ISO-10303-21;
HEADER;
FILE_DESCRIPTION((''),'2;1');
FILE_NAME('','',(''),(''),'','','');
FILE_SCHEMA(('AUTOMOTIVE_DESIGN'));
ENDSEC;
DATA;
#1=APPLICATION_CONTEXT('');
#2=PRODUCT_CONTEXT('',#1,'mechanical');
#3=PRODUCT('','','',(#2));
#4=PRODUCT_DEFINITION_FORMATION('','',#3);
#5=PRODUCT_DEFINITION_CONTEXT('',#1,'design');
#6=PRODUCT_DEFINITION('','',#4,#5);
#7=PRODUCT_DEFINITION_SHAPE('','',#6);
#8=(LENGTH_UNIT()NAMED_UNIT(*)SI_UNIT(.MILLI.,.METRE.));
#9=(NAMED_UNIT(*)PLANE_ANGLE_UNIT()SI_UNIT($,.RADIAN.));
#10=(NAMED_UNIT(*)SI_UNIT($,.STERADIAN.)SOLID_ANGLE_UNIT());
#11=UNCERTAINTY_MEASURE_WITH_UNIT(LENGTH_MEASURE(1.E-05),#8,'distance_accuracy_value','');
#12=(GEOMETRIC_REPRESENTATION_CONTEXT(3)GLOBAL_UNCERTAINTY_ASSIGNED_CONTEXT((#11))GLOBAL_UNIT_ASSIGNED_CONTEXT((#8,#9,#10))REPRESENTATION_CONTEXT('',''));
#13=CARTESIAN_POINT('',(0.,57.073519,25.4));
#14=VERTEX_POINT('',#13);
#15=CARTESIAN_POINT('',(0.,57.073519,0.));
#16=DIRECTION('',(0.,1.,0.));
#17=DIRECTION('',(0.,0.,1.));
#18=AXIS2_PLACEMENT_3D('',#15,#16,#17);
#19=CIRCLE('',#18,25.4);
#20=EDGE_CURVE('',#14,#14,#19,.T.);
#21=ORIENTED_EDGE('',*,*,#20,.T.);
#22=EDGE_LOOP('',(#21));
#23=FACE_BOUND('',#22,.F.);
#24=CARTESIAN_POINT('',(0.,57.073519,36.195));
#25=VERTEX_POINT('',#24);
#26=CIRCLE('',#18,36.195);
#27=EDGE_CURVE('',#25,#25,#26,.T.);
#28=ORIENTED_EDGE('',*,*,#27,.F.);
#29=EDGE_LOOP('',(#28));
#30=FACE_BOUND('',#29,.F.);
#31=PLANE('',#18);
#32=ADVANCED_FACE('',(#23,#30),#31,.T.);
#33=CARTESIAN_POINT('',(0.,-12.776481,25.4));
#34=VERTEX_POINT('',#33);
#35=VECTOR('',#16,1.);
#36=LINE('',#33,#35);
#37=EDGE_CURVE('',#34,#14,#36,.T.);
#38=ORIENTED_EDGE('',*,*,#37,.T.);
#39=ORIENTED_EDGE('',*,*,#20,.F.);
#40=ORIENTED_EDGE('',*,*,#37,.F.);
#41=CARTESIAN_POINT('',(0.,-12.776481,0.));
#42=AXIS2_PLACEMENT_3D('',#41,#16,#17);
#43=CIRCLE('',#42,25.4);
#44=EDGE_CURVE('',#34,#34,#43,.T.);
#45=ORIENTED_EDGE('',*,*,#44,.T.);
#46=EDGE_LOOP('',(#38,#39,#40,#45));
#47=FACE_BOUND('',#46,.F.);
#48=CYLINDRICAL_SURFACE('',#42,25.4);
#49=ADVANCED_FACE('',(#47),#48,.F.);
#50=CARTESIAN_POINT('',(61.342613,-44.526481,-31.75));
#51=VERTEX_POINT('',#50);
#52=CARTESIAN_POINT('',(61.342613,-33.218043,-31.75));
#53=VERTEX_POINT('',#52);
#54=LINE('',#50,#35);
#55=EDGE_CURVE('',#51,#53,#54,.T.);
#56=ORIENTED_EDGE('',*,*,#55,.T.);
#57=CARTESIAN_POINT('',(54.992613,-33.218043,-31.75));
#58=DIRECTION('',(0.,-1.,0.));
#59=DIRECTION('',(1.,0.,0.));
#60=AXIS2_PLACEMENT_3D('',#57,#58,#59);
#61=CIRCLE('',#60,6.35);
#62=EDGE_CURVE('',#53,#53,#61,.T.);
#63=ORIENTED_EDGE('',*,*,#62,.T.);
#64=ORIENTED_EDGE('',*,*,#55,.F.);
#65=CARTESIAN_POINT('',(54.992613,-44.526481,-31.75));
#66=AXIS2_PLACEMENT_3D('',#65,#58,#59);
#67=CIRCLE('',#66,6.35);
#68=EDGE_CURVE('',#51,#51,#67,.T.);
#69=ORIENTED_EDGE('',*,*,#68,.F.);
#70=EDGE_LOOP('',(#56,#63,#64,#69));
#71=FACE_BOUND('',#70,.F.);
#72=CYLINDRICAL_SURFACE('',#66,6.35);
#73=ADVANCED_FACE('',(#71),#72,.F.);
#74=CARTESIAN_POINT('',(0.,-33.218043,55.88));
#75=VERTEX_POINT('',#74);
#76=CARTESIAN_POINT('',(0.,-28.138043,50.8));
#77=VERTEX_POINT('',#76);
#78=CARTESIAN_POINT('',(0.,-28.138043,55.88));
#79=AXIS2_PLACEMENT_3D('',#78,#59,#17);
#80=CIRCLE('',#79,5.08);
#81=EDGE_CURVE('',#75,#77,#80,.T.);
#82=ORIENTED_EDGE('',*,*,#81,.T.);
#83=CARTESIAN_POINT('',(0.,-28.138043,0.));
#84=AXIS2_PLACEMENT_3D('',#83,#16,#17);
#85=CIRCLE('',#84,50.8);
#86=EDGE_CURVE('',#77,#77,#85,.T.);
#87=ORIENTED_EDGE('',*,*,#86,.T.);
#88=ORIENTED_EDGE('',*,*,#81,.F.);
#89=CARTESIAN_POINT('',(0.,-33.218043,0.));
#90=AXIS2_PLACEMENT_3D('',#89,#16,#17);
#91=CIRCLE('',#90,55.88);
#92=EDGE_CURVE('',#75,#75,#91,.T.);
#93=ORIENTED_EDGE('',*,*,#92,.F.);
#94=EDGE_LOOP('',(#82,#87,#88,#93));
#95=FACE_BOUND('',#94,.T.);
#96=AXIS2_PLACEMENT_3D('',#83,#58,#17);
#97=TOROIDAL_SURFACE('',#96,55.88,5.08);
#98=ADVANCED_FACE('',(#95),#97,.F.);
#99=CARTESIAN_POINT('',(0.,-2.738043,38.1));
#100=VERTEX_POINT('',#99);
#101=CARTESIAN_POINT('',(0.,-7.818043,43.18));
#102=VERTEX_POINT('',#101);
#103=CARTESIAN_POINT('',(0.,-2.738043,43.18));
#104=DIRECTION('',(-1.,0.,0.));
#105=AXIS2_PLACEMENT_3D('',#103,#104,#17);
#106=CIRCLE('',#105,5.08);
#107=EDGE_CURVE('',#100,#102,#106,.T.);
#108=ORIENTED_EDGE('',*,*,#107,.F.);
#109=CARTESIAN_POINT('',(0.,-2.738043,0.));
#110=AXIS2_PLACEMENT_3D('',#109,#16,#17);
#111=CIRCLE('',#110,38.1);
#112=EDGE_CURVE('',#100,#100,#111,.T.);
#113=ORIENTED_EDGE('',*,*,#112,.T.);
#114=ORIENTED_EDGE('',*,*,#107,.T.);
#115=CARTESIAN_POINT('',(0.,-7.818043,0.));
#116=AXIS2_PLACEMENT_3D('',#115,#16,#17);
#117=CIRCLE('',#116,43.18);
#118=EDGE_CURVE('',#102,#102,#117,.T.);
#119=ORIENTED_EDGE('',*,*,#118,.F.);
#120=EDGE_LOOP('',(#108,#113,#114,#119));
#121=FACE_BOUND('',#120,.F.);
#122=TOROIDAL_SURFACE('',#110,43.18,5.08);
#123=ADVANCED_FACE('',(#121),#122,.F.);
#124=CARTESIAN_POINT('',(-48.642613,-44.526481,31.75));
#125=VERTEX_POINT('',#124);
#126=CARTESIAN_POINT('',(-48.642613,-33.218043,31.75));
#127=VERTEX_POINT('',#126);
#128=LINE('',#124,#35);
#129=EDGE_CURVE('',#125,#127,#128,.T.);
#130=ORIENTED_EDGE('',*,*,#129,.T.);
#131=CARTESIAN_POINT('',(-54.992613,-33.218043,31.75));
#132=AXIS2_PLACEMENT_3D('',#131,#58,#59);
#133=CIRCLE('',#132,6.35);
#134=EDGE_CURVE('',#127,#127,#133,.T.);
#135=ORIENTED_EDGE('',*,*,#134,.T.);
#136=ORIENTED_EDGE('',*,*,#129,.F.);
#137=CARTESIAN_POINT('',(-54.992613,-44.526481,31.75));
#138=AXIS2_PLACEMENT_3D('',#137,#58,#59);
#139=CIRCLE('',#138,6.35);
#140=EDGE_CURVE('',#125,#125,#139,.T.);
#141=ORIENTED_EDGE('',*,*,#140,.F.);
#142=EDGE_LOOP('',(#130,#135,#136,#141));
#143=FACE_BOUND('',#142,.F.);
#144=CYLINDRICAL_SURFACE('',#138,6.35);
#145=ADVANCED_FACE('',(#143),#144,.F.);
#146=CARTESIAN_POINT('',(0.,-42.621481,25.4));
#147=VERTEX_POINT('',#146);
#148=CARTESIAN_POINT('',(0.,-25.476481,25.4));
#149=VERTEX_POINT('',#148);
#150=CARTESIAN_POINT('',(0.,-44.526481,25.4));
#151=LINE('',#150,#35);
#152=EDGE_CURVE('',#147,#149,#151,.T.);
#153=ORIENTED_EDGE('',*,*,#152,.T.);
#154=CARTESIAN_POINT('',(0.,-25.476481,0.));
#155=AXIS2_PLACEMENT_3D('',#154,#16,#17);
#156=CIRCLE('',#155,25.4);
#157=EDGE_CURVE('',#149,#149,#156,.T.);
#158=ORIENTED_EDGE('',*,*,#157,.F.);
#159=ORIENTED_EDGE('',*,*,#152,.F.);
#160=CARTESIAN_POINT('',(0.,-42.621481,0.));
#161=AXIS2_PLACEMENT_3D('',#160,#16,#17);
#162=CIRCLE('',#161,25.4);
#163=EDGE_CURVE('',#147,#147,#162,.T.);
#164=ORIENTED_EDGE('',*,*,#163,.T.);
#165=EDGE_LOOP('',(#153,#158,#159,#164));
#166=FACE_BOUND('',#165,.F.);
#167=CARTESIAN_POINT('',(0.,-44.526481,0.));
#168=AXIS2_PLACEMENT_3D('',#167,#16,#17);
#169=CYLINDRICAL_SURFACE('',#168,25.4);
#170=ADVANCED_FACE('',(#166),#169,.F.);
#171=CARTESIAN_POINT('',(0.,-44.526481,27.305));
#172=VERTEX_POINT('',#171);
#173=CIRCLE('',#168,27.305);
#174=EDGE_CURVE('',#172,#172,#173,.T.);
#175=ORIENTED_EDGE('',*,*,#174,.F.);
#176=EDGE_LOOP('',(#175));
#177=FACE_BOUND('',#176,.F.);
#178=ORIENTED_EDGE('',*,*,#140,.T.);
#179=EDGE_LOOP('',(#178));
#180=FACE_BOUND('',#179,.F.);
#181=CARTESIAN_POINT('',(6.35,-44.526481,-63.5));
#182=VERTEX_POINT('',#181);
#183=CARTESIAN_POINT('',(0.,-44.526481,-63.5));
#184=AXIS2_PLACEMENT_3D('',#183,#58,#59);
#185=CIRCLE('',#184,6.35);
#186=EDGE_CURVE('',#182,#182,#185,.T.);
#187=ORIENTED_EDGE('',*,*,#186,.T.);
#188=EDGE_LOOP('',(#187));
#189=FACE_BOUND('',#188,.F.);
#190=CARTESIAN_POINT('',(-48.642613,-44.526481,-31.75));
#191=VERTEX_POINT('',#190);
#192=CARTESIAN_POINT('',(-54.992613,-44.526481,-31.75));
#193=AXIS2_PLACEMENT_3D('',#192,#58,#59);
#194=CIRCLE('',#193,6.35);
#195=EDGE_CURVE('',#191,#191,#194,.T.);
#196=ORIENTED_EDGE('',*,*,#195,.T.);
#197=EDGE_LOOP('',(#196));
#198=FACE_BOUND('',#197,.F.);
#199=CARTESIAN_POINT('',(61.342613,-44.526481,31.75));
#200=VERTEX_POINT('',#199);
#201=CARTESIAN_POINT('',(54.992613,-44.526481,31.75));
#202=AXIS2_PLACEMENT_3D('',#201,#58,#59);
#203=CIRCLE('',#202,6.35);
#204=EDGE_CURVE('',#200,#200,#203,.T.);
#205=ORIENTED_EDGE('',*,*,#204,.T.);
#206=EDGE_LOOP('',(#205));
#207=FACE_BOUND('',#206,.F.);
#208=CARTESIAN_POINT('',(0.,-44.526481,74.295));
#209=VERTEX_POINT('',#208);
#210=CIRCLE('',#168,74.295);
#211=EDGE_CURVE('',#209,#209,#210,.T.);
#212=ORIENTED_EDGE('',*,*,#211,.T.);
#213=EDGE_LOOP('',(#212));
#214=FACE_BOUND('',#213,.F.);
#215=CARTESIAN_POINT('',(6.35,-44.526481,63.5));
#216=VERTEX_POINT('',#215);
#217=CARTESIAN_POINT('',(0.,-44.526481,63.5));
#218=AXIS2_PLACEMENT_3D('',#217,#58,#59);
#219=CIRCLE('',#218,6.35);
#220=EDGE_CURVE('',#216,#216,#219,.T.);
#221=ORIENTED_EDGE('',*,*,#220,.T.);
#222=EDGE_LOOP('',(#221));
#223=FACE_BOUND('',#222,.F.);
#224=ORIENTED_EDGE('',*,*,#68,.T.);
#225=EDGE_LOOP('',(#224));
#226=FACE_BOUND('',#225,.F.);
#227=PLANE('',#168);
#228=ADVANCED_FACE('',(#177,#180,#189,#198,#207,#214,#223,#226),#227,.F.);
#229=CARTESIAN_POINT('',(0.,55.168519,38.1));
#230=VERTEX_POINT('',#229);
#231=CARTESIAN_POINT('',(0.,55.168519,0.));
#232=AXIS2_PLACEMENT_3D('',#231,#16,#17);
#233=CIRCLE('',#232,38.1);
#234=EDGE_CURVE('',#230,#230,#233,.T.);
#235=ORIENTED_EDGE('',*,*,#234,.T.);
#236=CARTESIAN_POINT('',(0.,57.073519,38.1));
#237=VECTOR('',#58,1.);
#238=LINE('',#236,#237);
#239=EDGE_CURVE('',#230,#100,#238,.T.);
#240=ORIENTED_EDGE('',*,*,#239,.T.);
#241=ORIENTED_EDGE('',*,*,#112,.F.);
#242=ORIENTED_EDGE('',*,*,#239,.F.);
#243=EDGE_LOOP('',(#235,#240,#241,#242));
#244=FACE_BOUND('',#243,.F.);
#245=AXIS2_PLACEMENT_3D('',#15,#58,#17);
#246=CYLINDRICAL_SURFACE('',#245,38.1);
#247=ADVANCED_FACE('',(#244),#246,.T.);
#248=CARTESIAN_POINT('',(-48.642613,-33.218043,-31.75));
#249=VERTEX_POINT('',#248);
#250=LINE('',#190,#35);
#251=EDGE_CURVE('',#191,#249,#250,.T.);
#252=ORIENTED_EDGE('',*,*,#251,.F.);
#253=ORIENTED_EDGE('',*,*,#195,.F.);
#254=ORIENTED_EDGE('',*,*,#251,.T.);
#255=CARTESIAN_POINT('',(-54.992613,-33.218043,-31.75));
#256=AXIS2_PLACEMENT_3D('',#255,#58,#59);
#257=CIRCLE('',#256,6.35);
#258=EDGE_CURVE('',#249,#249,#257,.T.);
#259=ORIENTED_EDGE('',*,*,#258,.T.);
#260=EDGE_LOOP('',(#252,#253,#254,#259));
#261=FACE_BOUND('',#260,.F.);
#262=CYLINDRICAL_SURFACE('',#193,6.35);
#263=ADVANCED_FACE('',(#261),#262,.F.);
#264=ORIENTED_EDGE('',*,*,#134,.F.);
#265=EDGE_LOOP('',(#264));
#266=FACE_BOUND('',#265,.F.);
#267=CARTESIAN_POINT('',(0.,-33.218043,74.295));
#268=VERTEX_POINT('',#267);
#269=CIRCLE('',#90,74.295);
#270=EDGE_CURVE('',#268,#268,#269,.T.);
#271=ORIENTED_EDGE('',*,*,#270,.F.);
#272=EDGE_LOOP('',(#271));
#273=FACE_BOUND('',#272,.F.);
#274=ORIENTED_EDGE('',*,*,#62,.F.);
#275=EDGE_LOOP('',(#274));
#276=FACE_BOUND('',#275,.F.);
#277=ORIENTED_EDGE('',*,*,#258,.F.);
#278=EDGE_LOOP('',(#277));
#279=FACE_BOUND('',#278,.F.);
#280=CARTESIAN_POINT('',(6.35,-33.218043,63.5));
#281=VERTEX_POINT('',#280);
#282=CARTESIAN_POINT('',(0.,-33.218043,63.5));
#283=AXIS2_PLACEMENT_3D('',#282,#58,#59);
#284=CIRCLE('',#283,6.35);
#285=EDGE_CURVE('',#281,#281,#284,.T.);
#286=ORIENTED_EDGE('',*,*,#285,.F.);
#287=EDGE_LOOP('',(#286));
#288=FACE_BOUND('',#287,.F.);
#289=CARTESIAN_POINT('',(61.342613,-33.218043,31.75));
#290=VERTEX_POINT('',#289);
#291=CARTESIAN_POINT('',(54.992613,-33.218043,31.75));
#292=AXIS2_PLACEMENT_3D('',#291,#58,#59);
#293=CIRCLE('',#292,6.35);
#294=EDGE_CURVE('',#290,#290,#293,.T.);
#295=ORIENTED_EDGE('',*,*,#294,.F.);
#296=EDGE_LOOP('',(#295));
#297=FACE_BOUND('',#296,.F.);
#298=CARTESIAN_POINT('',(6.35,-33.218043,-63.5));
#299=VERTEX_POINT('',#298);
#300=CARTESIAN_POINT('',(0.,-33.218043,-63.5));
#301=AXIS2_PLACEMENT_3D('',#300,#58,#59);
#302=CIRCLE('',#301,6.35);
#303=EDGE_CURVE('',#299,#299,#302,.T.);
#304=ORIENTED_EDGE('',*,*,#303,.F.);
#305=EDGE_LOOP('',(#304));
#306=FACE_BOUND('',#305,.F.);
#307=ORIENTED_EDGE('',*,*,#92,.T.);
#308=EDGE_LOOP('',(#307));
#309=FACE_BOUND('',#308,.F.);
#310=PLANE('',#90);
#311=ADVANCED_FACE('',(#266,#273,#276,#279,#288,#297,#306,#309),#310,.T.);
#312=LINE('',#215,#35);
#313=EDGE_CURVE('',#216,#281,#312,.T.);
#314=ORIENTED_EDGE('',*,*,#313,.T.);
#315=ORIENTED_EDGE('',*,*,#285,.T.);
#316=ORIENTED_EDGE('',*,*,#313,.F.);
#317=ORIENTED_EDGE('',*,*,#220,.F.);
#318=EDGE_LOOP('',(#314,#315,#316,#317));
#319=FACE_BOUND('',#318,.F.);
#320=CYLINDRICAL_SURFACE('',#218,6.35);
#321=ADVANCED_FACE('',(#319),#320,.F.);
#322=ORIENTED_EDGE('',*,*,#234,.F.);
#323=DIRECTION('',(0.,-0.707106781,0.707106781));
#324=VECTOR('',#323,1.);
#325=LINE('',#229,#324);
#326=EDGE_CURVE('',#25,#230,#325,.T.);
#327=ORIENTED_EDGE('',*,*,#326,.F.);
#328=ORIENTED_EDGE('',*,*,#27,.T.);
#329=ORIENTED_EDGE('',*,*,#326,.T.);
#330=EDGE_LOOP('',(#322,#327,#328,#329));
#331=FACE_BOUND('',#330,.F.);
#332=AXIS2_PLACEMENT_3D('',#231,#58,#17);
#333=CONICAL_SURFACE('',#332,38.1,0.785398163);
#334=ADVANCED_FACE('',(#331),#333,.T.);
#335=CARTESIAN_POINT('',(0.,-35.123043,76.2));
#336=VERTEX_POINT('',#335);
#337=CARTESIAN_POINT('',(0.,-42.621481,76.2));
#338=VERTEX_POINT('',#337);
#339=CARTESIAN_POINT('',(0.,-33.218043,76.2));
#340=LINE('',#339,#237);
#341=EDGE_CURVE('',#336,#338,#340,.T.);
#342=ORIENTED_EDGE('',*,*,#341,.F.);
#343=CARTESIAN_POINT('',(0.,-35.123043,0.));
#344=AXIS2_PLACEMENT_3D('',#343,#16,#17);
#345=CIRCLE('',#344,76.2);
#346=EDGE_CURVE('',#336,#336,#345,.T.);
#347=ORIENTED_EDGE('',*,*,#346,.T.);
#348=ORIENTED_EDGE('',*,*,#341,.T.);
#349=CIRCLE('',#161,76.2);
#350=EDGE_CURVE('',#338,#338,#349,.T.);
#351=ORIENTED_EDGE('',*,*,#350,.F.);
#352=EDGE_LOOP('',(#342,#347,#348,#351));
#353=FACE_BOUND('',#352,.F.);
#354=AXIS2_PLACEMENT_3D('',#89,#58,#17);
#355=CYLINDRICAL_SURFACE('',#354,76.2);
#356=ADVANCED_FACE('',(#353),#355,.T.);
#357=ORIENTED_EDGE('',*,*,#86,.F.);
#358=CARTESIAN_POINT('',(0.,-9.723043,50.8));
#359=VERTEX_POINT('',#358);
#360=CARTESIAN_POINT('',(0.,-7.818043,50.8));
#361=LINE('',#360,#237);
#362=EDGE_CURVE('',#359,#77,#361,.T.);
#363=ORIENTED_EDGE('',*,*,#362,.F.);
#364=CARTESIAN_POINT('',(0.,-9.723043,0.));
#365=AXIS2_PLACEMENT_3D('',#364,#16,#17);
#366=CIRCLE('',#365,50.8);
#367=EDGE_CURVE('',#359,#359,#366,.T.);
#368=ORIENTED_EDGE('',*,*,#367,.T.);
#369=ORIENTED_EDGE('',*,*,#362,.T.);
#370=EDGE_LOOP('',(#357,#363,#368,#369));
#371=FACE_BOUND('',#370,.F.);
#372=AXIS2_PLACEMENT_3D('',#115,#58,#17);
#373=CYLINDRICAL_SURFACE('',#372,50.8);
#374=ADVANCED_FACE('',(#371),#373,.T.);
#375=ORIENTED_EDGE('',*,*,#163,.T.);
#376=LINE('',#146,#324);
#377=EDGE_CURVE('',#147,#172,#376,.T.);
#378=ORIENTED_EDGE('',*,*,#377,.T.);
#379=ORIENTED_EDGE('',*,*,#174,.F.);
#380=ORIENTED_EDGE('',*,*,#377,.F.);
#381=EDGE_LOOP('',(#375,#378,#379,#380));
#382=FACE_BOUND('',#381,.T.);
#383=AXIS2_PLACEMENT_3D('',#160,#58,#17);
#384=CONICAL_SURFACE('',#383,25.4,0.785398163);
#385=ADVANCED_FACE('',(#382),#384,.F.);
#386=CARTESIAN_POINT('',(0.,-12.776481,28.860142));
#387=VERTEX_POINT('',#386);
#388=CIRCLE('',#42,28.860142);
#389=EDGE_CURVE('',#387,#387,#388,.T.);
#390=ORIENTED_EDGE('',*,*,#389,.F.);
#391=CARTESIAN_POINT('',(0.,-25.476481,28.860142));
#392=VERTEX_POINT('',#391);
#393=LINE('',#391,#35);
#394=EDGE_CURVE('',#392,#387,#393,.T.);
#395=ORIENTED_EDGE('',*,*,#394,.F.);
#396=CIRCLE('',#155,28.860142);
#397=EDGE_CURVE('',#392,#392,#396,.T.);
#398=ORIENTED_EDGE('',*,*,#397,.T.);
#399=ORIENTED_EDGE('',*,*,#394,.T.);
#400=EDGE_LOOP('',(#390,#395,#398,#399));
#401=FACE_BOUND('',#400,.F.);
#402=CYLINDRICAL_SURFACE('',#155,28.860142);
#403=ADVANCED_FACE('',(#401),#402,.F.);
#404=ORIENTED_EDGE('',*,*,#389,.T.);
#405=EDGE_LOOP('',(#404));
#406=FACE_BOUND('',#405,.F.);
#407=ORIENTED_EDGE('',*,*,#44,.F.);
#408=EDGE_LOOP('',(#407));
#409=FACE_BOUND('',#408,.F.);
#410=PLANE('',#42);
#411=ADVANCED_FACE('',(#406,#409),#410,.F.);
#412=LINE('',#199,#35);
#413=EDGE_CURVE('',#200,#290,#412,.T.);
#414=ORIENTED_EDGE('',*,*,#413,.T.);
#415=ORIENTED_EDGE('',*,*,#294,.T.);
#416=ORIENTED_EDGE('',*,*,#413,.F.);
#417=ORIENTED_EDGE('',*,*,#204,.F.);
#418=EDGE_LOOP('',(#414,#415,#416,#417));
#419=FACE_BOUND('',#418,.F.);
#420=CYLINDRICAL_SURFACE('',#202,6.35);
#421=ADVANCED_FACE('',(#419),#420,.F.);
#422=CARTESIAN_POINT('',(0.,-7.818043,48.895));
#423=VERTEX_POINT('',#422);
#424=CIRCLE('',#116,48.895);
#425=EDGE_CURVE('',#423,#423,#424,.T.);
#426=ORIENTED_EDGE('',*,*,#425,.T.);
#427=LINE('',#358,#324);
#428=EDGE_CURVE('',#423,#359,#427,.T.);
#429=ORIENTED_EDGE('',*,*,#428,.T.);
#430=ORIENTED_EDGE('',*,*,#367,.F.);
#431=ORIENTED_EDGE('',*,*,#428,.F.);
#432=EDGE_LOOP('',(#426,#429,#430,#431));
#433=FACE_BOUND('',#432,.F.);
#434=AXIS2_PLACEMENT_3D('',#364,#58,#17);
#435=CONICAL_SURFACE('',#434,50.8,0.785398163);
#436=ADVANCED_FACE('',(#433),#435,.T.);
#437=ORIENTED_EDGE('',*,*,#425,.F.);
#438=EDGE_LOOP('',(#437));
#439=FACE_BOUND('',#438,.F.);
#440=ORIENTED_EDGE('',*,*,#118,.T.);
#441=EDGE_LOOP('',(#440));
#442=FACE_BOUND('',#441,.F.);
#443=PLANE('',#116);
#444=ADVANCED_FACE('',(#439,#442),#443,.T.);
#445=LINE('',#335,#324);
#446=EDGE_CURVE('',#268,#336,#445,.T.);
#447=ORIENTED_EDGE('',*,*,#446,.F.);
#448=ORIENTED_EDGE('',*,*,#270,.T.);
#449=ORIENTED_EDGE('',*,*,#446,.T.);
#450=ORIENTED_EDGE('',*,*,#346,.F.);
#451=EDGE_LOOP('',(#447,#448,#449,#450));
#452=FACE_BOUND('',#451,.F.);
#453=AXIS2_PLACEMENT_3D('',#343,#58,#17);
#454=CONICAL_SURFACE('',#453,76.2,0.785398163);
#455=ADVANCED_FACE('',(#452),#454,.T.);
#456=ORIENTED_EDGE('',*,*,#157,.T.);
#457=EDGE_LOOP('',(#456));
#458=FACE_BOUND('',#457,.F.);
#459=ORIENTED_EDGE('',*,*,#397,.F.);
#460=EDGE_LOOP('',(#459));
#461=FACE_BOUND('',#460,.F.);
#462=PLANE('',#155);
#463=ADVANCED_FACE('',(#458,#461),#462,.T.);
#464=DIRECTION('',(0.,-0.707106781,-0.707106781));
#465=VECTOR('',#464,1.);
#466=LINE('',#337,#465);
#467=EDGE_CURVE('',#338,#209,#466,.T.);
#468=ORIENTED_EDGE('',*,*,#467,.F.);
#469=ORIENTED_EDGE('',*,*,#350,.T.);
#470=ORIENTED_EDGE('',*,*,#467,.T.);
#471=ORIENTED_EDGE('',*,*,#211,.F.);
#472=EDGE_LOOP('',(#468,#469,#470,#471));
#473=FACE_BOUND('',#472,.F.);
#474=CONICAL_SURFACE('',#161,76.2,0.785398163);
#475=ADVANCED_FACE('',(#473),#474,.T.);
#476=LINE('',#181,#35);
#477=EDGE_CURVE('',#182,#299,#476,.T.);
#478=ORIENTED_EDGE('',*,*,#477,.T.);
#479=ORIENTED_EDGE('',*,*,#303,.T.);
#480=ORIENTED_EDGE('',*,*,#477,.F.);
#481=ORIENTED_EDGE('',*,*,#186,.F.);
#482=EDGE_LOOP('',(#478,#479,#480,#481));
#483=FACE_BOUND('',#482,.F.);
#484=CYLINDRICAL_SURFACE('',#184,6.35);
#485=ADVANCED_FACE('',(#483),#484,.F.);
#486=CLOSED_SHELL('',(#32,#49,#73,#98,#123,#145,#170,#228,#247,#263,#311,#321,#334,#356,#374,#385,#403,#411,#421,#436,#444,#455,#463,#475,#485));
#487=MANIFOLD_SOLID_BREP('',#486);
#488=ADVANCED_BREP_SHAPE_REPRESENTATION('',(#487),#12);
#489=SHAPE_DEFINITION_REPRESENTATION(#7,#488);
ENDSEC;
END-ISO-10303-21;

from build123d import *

# Parameters (mm, degrees)
F3_SIZE  = 1.905
F4_R     = 5.08
F5_R     = 6.35
F6_DEPTH = 15.875


with BuildPart() as f1:
    # F0 (on Right) → F1 (revolve)
    with BuildSketch(Plane.YZ):
        Polygon((-44.526481, 38.1), (-44.526481, 25.4), (-25.476481, 25.4), (-25.476481, 28.860142), (-12.776481, 28.860142), (-12.776481, 25.4), (57.073519, 25.4), (57.073519, 38.1), (-7.818043, 38.1), (-7.818043, 50.8), (-33.218043, 50.8), (-33.218043, 76.2), (-44.526481, 76.2), align=None)
    revolve(axis=Axis((0, 16.093373, 0), (0, 1, 0)))

    # F3
    f3_edges = [f1.edges().sort_by_distance(p)[0] for p in [
        (0, -44.526481, -76.2),
        (0, -33.218043, -76.2),
        (0, -7.818043, -50.8),
        (0, 57.073519, -38.1),
        (0, -44.526481, -25.4),
    ]]
    chamfer(f3_edges, length=F3_SIZE)

    # F4
    f4_edges = [f1.edges().sort_by_distance(p)[0] for p in [
        (0, -33.218043, -50.8),
        (0, -7.818043, -38.1),
    ]]
    fillet(f4_edges, radius=F4_R)

    # F5 (on face) → F6 (cut)
    with BuildSketch(Plane.XZ.offset(44.526481)):
        with Locations((-54.992613, 31.75)):
            Circle(F5_R)
        with Locations((-54.992613, -31.75)):
            Circle(F5_R)
        with Locations((0, -63.5)):
            Circle(F5_R)
        with Locations((54.992613, -31.75)):
            Circle(F5_R)
        with Locations((54.992613, 31.75)):
            Circle(F5_R)
        with Locations((0, 63.5)):
            Circle(F5_R)
    extrude(amount=-F6_DEPTH, mode=Mode.SUBTRACT)


solid = f1.part
